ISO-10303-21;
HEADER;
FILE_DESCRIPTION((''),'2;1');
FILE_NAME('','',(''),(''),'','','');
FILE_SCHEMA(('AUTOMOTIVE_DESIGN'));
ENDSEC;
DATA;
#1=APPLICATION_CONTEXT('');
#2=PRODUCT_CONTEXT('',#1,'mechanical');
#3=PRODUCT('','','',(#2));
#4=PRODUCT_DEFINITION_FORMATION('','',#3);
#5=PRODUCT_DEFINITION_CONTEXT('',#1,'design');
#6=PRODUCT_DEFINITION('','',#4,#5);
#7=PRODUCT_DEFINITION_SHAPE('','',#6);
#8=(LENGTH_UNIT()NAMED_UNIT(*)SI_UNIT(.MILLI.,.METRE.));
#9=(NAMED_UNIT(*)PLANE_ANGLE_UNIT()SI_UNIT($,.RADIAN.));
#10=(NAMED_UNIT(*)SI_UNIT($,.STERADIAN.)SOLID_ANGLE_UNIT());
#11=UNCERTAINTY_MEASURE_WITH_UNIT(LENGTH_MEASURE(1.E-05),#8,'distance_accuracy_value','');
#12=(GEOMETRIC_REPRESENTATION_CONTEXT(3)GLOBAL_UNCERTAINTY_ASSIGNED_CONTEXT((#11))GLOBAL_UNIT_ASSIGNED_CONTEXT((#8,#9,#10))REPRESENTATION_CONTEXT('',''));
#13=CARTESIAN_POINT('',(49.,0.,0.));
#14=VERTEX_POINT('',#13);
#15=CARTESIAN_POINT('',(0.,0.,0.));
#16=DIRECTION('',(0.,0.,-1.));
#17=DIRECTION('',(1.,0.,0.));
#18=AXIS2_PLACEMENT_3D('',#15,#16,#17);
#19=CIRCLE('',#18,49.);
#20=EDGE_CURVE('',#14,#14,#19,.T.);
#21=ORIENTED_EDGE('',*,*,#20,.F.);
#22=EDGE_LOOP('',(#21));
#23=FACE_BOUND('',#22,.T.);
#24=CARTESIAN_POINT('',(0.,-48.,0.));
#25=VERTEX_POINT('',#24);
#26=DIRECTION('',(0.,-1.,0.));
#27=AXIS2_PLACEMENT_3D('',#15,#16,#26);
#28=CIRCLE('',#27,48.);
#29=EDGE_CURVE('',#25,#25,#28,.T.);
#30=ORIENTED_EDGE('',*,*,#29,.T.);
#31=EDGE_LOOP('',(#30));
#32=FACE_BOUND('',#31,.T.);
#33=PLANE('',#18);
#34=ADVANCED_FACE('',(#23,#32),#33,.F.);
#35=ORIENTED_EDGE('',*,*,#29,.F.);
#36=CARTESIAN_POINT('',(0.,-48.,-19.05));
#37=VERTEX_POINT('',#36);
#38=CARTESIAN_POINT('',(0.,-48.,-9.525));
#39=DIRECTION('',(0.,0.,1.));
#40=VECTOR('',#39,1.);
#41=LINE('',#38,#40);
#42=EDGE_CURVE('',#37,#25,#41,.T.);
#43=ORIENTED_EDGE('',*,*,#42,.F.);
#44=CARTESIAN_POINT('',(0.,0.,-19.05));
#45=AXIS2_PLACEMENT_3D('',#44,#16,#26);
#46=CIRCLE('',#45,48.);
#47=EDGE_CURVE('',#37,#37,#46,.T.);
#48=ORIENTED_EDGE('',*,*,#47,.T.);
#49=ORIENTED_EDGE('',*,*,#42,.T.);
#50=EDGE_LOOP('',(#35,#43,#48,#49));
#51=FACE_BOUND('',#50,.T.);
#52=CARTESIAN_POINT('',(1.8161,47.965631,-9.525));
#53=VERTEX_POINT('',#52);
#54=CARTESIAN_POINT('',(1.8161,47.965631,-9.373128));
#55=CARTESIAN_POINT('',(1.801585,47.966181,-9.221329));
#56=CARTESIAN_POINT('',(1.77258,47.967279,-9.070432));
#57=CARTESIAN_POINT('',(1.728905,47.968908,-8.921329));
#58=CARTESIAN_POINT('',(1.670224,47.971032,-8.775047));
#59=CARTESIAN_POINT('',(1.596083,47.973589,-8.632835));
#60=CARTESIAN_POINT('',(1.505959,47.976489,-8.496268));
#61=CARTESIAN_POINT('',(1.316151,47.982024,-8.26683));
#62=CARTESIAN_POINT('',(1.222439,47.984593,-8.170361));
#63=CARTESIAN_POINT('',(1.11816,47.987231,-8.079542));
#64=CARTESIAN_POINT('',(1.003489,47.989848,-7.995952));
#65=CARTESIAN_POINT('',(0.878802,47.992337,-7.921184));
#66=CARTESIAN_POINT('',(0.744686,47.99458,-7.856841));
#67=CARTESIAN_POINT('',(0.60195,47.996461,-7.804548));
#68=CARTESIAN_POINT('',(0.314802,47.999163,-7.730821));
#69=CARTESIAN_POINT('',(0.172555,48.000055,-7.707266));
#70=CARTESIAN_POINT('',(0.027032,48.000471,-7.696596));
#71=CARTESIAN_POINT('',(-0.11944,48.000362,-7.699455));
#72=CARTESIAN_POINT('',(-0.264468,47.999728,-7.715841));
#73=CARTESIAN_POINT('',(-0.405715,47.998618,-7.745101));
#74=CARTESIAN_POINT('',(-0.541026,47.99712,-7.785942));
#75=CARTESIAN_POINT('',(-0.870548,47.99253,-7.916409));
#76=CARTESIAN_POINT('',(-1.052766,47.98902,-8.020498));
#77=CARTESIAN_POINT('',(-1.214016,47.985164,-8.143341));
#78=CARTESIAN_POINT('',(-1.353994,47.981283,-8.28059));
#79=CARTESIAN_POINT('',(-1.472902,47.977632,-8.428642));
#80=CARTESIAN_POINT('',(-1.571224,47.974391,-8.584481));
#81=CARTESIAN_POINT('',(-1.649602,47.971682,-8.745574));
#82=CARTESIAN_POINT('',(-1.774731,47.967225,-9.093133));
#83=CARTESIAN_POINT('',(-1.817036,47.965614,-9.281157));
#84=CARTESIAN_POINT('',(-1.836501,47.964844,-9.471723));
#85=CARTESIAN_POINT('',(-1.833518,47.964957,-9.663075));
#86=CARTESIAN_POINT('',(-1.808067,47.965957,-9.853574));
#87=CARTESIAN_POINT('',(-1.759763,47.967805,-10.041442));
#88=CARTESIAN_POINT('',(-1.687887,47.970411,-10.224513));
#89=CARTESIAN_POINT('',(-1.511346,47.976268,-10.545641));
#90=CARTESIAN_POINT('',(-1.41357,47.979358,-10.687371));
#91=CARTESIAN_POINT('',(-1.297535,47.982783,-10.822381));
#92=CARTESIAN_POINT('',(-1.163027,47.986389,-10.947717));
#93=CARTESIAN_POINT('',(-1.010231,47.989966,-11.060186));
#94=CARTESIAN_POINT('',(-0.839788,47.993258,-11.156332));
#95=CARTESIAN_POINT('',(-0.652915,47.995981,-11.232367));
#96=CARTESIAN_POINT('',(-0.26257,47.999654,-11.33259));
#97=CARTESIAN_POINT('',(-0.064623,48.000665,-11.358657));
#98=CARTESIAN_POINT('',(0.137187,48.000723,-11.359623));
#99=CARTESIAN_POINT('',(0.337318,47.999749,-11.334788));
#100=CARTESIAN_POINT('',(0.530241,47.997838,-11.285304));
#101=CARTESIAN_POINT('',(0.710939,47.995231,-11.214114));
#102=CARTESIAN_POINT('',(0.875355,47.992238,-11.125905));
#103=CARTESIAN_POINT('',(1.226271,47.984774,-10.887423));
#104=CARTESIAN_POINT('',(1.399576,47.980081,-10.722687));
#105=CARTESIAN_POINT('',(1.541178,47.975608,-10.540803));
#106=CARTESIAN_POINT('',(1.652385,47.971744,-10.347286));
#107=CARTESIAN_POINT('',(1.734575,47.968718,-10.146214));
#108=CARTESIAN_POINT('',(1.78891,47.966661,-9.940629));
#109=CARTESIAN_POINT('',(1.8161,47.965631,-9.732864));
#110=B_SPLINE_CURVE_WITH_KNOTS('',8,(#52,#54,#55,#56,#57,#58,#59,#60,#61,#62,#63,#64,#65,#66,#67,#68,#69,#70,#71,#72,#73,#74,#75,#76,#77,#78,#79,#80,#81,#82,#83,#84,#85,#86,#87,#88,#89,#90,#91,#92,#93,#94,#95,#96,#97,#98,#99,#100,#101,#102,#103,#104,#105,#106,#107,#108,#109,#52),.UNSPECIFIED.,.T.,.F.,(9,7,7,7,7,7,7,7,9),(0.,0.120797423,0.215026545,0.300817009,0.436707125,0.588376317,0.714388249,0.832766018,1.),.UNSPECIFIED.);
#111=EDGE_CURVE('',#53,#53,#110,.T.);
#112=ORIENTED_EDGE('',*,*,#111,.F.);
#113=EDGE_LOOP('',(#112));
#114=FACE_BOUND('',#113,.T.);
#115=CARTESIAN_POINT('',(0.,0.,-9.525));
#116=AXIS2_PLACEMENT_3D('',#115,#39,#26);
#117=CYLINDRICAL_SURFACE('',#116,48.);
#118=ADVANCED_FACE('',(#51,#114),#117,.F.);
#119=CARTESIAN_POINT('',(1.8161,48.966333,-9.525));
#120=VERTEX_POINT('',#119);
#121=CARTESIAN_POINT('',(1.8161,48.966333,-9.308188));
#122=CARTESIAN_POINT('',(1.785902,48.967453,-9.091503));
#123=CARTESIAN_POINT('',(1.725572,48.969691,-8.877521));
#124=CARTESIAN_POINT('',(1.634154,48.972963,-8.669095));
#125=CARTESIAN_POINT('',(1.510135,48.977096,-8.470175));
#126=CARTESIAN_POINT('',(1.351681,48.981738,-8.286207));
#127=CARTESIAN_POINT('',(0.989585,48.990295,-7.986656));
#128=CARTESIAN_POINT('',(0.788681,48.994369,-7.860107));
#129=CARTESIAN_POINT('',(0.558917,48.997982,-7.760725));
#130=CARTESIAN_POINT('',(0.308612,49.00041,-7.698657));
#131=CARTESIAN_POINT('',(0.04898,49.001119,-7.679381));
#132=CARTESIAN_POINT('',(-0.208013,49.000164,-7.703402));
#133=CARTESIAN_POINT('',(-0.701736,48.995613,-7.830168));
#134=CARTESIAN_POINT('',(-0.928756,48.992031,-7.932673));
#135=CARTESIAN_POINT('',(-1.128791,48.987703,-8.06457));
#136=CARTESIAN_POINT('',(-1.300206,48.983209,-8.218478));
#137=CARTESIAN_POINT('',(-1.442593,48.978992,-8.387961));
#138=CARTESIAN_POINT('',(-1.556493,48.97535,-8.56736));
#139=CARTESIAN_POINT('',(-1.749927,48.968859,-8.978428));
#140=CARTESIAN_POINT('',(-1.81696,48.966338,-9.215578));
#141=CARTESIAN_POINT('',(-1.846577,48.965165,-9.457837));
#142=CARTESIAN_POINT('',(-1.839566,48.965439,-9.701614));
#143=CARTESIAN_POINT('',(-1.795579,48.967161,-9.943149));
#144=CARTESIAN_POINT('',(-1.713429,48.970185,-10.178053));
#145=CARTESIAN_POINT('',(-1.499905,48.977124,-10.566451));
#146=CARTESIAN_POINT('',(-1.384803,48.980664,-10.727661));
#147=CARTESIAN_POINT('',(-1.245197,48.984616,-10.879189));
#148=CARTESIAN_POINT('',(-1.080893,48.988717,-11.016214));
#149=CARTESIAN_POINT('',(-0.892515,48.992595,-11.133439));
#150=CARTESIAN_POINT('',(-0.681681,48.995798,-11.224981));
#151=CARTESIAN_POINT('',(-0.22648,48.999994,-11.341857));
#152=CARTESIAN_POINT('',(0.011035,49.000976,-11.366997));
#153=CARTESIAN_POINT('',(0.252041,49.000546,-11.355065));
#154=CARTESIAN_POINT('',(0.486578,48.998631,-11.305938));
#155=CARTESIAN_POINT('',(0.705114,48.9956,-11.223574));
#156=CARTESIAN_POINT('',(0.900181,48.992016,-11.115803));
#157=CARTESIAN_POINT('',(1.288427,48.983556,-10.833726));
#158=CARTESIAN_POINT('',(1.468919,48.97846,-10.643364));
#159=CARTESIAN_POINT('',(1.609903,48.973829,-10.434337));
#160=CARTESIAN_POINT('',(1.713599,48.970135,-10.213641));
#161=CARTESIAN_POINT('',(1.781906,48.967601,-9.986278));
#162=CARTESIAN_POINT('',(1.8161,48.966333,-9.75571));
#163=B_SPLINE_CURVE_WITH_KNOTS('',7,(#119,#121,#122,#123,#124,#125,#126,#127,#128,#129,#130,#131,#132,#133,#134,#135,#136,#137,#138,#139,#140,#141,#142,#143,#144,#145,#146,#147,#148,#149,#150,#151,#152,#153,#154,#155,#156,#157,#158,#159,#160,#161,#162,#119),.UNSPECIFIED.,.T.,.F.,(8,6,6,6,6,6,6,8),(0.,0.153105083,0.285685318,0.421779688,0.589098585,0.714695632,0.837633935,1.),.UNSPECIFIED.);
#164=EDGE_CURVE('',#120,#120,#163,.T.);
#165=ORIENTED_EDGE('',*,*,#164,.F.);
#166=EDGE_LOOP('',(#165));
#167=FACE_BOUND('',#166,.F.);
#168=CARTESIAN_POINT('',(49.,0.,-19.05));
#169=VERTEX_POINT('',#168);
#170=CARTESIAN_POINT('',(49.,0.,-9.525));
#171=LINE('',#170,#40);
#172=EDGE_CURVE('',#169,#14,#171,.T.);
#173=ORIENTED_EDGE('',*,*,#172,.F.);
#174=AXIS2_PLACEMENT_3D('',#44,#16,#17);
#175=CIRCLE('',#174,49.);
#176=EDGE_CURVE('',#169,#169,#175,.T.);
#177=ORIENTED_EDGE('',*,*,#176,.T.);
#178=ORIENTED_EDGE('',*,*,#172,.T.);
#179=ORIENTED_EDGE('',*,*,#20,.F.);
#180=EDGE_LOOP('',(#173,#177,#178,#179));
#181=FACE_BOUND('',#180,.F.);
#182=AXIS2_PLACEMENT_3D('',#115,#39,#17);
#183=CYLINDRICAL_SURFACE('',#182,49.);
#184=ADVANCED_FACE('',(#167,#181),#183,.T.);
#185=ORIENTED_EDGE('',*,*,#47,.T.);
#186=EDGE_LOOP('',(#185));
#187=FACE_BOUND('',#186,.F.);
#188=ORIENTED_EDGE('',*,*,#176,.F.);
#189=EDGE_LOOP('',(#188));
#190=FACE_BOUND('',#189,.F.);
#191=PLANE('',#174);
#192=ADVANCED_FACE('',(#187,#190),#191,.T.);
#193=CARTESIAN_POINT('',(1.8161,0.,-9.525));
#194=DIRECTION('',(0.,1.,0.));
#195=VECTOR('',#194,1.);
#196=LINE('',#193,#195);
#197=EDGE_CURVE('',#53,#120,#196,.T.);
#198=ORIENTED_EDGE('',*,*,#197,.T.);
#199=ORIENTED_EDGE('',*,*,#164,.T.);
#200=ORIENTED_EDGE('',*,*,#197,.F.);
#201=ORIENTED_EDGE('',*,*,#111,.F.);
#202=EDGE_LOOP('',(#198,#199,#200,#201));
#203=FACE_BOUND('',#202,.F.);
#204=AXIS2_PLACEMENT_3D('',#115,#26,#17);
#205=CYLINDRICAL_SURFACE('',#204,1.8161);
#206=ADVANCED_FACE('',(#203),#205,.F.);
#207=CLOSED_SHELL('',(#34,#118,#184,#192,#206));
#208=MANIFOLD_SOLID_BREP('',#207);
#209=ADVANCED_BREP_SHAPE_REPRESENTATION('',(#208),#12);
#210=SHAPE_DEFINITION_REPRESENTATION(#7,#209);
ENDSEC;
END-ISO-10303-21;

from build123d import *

# Parameters (mm, degrees)
F0_W     = 49
F0_H     = 19.05
F1_W     = 48
F1_H     = 19.05
F5_D     = 3.6322
F5_DEPTH = 49.001


with BuildPart() as f2:
    # F0 (on Front) → F2 (revolve)
    with BuildSketch(Plane.XZ):
        with Locations((24.5, -9.525)):
            Rectangle(F0_W, F0_H)
    revolve(axis=Axis((0, 0, -9.525), (0, 0, -1)))

    # F1 (on Right) → F3 (revolve, cut)
    with BuildSketch(Plane.YZ):
        with Locations((-24, -9.525)):
            Rectangle(F1_W, F1_H)
    revolve(axis=Axis((0, 0, -9.525), (0, 0, -1)), mode=Mode.SUBTRACT)

    # F5 (through all, one way)
    with BuildSketch(Plane.XZ):
        with Locations((0, -9.525)):
            Circle(F5_D / 2)
    extrude(amount=-F5_DEPTH, mode=Mode.SUBTRACT)


solid = f2.part
